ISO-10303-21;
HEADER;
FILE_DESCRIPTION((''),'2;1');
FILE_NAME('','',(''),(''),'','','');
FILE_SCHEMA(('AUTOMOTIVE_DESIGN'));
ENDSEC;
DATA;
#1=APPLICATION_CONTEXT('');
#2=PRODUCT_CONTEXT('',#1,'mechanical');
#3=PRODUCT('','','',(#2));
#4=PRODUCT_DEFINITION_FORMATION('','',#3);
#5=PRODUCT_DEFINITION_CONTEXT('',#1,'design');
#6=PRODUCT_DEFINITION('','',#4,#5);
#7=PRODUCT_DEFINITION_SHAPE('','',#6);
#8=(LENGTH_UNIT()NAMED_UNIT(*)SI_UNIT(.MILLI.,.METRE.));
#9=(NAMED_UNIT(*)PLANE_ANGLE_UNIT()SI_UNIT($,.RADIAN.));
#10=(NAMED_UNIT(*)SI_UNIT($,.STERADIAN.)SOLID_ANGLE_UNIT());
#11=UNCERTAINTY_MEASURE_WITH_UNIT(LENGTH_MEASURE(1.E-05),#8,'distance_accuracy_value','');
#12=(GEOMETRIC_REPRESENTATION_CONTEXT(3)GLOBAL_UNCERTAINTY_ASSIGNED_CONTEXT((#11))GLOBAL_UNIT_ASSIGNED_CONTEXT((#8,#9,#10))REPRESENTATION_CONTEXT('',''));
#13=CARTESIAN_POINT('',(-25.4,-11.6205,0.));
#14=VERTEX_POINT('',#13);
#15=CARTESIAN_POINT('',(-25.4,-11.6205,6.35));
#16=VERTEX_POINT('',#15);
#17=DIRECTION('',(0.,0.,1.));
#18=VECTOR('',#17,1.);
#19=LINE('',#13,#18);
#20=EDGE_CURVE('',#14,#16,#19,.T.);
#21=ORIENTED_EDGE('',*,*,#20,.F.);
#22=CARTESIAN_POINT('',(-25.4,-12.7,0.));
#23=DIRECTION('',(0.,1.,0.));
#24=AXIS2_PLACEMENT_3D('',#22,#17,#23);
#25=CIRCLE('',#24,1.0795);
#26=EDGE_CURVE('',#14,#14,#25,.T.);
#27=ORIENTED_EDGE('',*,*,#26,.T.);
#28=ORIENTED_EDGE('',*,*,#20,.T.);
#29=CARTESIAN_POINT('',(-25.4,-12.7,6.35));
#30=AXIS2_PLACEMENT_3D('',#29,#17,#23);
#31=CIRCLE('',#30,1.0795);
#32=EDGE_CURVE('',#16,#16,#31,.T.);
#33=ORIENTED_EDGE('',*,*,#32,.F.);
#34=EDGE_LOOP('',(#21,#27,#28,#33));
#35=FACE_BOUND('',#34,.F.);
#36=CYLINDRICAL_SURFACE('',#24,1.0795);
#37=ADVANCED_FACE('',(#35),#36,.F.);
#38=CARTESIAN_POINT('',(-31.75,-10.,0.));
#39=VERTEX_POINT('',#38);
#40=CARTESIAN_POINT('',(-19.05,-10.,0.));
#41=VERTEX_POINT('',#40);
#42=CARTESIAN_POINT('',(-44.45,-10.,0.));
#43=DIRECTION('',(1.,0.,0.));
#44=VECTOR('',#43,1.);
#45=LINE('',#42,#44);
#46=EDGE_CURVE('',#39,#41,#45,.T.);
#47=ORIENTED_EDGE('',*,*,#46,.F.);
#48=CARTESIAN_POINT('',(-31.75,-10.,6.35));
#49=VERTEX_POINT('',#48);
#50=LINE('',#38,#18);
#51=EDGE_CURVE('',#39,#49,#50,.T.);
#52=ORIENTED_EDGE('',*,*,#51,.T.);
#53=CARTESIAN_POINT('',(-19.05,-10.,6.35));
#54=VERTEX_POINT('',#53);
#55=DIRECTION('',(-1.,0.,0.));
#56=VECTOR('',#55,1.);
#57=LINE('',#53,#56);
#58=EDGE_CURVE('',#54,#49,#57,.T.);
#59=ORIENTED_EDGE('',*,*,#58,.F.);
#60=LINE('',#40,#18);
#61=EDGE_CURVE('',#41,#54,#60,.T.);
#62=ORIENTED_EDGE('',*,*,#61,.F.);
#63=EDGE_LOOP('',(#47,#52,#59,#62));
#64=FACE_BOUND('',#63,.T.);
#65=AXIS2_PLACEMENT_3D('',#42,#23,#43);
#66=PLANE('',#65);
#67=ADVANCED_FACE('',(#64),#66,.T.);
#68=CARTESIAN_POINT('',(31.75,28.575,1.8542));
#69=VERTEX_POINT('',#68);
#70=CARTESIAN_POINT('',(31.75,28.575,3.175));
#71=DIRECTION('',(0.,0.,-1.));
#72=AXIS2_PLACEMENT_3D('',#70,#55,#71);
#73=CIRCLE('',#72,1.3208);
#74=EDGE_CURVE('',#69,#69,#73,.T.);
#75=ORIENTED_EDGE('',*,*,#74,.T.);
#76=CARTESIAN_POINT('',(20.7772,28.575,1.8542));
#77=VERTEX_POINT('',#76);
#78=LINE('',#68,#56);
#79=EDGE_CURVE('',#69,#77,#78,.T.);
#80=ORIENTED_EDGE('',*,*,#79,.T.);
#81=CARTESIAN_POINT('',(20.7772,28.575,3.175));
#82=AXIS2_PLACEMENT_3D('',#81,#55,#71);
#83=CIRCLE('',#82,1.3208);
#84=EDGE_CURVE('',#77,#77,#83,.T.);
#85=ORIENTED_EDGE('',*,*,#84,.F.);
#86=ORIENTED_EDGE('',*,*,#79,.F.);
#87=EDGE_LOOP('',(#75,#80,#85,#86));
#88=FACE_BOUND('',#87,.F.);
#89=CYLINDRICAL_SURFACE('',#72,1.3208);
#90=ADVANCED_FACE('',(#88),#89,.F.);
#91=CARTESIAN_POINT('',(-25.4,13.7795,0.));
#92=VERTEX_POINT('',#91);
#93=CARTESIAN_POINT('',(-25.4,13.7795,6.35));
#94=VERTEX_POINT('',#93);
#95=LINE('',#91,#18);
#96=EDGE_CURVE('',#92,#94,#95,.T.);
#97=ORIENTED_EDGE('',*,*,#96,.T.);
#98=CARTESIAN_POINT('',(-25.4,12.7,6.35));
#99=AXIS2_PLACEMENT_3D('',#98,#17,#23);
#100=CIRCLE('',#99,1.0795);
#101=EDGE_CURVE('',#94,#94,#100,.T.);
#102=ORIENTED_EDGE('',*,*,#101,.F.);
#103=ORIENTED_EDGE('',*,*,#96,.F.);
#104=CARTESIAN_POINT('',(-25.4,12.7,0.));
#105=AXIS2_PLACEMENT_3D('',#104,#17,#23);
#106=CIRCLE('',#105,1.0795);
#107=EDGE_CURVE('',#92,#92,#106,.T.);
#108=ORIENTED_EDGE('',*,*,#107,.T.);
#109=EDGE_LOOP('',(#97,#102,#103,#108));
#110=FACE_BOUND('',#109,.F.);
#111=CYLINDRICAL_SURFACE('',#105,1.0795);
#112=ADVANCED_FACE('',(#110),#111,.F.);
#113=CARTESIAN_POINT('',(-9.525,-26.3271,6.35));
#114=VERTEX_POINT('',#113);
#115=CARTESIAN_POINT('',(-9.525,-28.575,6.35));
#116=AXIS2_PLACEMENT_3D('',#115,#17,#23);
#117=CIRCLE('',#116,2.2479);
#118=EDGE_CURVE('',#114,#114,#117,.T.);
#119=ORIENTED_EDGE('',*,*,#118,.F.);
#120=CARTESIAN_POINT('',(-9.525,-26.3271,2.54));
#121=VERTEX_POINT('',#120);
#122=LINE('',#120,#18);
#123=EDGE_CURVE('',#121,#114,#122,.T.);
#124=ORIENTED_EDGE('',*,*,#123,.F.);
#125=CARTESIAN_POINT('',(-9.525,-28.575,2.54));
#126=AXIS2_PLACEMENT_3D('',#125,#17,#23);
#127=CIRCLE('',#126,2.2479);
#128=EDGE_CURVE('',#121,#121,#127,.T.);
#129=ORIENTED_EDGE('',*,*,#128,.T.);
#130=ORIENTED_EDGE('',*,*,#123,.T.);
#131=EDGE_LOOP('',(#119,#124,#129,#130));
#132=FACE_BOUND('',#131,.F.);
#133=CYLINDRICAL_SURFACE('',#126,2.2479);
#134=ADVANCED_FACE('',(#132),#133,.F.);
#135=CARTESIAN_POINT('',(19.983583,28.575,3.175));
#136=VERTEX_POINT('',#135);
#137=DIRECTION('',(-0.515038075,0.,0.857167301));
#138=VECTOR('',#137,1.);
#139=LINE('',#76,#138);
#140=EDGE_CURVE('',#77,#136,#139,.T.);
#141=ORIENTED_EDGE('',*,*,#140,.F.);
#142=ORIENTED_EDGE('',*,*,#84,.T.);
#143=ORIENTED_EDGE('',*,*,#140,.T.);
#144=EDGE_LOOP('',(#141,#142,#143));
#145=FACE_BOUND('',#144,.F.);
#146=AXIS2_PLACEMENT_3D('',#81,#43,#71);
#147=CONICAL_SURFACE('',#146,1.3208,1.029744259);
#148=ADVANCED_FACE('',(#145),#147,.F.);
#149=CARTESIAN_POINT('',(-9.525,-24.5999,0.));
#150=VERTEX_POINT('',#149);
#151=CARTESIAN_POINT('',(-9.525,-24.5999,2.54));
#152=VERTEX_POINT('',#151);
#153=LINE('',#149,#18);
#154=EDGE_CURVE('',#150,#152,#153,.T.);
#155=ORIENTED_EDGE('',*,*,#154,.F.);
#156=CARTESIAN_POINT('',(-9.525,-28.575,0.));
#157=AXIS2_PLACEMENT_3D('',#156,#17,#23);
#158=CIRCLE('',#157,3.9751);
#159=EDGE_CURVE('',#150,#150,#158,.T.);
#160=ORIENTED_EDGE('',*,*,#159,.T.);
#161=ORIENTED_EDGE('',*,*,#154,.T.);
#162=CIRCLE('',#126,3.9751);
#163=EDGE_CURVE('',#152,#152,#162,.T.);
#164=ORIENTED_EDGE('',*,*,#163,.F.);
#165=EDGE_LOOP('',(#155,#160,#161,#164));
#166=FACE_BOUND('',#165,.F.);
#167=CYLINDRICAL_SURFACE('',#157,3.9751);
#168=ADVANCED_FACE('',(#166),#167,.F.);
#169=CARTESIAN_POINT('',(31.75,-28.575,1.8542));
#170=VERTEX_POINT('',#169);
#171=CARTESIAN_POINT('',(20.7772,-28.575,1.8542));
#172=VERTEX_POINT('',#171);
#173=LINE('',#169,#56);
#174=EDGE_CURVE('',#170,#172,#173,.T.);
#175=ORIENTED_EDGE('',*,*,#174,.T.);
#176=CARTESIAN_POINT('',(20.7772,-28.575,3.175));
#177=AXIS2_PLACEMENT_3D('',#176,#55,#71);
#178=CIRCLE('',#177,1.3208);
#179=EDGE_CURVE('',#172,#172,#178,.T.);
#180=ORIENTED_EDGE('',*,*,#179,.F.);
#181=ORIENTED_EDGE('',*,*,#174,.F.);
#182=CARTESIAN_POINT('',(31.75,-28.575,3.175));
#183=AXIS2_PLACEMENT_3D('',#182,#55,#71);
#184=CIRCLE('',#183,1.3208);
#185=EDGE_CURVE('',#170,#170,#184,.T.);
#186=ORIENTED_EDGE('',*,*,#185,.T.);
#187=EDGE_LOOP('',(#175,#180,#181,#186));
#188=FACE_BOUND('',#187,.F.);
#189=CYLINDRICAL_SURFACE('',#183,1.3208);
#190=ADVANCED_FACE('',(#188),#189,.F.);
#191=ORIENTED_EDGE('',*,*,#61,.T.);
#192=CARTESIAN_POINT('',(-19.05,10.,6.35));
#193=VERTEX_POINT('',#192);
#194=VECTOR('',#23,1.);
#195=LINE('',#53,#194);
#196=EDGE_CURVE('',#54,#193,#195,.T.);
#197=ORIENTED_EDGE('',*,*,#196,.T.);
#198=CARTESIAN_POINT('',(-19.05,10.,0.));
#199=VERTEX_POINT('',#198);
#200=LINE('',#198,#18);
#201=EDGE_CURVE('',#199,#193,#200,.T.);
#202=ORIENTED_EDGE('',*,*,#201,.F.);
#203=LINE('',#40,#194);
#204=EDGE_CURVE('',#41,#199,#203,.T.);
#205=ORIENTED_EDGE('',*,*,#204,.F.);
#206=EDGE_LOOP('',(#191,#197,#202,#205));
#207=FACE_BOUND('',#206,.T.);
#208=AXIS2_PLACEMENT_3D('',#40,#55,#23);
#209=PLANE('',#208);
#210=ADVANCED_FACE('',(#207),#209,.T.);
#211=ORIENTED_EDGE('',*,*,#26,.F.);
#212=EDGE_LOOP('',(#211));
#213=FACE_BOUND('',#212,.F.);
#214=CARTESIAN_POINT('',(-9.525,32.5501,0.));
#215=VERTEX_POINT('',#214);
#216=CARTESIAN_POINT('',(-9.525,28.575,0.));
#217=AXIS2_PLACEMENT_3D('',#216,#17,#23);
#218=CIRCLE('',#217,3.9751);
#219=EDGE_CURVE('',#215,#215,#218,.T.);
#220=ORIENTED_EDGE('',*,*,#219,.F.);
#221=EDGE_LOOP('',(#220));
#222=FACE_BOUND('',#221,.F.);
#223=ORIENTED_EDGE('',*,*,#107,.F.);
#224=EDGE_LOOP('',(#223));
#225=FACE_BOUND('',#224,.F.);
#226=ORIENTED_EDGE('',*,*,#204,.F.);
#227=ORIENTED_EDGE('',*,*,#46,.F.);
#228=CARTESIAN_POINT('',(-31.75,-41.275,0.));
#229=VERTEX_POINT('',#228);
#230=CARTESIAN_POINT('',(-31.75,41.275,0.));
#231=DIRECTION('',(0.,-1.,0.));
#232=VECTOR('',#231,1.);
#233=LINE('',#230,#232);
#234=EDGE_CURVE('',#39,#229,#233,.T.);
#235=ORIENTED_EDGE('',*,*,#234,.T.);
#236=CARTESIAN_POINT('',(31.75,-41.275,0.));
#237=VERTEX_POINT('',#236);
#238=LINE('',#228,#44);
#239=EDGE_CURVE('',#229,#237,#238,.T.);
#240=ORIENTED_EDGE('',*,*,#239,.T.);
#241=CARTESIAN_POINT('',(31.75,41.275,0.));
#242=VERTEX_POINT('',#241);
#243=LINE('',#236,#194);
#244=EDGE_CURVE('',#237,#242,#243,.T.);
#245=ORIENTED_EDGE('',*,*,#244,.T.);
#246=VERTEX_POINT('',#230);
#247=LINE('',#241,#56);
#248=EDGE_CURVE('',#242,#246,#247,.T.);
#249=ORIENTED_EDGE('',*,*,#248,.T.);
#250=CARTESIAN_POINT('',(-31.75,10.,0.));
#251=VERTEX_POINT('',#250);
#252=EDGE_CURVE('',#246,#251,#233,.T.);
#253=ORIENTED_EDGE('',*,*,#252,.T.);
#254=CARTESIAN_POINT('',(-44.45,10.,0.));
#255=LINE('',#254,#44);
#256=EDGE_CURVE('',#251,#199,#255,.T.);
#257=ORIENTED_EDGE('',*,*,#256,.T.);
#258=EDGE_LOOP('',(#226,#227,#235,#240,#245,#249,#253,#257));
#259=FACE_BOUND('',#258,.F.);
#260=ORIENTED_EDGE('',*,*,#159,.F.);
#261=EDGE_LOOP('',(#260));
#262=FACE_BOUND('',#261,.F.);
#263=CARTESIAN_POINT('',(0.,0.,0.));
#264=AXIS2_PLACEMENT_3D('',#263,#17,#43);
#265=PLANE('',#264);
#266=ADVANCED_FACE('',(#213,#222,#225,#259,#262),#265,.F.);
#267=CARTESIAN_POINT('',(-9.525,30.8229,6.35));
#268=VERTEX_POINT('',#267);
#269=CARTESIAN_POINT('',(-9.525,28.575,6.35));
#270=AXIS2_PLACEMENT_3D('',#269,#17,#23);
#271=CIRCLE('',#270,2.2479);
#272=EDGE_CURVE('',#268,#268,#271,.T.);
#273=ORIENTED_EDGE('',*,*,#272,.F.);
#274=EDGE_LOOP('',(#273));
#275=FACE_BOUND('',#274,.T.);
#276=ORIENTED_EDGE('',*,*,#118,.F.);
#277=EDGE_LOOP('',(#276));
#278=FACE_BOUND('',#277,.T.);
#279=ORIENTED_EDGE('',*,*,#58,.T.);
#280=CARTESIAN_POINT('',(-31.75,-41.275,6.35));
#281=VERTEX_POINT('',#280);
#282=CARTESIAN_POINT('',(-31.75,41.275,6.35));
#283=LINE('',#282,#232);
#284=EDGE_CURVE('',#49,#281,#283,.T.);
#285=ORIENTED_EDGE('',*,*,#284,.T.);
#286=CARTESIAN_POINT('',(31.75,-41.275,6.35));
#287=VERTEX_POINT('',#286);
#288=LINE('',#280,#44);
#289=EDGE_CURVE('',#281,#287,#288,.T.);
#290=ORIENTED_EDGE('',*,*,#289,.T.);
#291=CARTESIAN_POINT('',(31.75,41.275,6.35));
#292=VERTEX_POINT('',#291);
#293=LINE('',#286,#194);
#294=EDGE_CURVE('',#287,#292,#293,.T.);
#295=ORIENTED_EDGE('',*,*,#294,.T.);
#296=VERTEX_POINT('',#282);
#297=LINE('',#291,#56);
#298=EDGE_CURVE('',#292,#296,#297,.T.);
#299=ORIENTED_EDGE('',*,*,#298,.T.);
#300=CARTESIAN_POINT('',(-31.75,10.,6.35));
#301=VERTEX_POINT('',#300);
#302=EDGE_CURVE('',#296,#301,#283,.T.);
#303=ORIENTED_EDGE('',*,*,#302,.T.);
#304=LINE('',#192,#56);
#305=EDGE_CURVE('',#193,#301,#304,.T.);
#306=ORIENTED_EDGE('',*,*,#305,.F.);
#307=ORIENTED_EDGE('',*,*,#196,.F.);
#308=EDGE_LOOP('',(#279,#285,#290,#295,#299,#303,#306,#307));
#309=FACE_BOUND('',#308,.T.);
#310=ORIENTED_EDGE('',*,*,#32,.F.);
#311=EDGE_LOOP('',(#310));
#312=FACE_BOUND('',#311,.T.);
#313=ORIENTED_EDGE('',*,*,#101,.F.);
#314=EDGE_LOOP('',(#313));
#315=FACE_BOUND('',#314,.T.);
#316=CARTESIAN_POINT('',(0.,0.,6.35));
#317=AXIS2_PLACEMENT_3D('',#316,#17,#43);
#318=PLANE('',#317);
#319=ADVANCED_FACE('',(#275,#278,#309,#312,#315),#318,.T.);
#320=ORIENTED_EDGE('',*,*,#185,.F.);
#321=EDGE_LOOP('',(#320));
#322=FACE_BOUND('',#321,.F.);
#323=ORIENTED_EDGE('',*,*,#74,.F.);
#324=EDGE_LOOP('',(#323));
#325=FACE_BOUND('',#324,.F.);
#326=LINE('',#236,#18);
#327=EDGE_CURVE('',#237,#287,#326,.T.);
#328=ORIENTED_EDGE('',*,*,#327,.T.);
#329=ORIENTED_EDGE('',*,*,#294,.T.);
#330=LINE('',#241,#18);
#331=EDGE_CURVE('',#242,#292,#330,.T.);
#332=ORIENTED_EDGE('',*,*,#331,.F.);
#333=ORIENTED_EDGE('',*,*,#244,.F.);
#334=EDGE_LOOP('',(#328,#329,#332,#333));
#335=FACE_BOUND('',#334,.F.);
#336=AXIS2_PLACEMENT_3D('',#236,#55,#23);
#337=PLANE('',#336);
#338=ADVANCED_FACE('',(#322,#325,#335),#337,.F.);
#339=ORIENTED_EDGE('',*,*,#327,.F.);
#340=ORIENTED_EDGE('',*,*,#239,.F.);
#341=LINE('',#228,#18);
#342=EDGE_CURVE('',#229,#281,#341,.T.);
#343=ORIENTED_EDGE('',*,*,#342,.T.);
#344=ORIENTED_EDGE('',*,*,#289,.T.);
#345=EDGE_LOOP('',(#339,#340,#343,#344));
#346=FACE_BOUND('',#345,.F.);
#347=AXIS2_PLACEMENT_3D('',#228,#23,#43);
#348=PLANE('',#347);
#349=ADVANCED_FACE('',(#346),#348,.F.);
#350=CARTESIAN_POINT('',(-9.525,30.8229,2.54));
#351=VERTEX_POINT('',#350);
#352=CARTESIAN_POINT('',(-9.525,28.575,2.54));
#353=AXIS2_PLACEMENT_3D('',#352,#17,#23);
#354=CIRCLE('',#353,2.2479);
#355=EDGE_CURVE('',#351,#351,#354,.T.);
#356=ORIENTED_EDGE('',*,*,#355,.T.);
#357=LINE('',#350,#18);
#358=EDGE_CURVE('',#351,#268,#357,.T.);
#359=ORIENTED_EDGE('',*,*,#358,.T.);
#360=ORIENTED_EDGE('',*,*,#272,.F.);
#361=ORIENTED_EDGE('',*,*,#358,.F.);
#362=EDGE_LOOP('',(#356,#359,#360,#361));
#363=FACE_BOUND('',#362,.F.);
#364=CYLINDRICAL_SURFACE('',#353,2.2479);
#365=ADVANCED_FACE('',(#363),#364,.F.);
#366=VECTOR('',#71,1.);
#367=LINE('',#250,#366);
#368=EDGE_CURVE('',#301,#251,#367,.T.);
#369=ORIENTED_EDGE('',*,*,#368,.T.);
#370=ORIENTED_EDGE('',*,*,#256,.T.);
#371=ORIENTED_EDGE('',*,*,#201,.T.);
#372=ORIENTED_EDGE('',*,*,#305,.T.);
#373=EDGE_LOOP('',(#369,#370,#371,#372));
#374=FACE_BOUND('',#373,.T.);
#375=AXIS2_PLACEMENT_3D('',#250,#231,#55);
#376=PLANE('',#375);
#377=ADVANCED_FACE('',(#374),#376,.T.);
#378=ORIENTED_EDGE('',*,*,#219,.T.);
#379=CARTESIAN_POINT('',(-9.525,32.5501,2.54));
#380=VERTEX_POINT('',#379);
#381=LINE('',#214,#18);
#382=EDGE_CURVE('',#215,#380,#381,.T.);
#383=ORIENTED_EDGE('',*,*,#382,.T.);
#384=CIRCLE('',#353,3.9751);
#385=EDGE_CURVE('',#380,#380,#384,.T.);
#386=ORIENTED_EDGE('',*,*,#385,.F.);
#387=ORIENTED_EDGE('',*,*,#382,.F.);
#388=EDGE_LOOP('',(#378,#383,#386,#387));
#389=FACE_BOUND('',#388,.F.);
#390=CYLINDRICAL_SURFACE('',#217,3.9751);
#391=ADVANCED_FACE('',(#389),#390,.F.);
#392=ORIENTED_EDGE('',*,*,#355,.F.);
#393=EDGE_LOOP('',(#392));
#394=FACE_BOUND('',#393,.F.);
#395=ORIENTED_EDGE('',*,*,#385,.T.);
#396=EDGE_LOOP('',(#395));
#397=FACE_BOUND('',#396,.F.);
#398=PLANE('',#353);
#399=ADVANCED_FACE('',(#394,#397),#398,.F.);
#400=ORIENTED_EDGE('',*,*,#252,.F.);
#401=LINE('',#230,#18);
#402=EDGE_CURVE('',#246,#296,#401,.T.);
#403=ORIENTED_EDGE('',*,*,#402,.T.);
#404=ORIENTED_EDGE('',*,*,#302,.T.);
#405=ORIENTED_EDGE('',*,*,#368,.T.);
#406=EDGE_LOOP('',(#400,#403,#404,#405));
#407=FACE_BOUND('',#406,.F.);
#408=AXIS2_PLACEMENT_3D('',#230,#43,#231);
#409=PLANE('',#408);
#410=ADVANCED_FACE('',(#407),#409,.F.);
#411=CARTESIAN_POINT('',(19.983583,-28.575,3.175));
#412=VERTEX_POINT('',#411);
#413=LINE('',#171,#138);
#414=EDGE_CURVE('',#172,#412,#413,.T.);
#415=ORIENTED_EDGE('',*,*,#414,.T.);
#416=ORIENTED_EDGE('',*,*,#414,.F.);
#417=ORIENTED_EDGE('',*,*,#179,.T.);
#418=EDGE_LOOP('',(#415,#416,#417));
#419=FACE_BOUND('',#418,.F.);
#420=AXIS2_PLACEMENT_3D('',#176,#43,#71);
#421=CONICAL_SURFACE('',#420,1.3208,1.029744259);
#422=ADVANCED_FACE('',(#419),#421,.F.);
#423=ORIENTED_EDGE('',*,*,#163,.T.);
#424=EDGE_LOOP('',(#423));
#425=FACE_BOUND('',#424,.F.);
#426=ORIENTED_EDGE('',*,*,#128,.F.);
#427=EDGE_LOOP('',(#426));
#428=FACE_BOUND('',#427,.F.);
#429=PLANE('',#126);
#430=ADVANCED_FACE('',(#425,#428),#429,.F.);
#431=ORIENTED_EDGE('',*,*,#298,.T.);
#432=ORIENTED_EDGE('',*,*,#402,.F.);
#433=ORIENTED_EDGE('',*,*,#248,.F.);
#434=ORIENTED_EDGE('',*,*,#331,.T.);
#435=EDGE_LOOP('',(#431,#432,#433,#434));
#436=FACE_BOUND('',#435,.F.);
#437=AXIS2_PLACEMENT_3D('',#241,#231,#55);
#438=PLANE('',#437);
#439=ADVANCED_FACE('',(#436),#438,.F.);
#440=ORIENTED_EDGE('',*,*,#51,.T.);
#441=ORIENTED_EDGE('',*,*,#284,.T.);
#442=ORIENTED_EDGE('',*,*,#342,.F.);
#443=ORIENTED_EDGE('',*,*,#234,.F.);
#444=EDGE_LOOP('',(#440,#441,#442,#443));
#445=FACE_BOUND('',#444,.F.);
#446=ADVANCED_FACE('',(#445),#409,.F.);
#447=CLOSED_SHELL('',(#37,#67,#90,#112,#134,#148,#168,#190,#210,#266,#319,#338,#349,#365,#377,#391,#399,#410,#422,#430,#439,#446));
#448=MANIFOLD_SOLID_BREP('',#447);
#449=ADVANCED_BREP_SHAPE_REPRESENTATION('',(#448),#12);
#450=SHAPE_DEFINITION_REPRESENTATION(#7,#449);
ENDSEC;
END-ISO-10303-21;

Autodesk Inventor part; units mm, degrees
ref_plane "YZ Plane" through (0, 0, 0) normal (1, 0, 0) x (0, 1, 0)
ref_plane "XZ Plane" through (0, 0, 0) normal (0, 1, 0) x (-1, 0, 0)
ref_plane "XY Plane" through (0, 0, 0) normal (0, 0, 1) x (1, 0, 0)
sketch "Sketch1" plane through (0, 0, 0) normal (0, 0, 1) x (1, 0, 0)
  line L0 (-31.75, -41.275) -> (31.75, -41.275)
  line L1 (31.75, -41.275) -> (31.75, 41.275)
  line L2 (31.75, 41.275) -> (-31.75, 41.275)
  line L3 (-31.75, 41.275) -> (-31.75, -41.275)
  line L4 (-31.75, -41.275) -> (31.75, 41.275) construction
  line L5 (31.75, -41.275) -> (-31.75, 41.275) construction
  point P0 (0, 0)
  dimension "d0" = 63.5
  dimension "d1" = 82.55
extrude "Extrusion1" add sketch "Sketch1" along normal blind 6.35
sketch "Sketch2" plane through (0, 0, 0) normal (0, 0, -1) x (-1, 0, 0)
  line L0 (44.45, -10) -> (19.05, -10)
  line L1 (19.05, -10) -> (19.05, 10)
  line L2 (19.05, 10) -> (44.45, 10)
  line L3 (44.45, 10) -> (44.45, -10)
  line L4 (31.75, 41.275) -> (31.75, -41.275) projected
  line L5 (44.45, -10) -> (19.05, 10) construction
  line L6 (19.05, -10) -> (44.45, 10) construction
  point P0 (0, 0)
  point P1 (31.75, 0)
  dimension "d4" = 25.4
  dimension "d5" = 20
extrude "Extrusion2" cut sketch "Sketch2" against normal blind 6.35
sketch "Sketch3" plane through (0, 0, 0) normal (0, 0, -1) x (-1, 0, 0)
  line L0 (25.4, 12.7) -> (25.4, -12.7)
  line L1 (31.75, 41.275) -> (31.75, 10) projected
  point P0 (0, 0)
  dimension "d8" = 12.7
  dimension "d9" = 25.4
  dimension "d10" = 6.35
hole "Hole1" at (-25.4, 12.7, 0) at (-25.4, -12.7, 0) direction (0, 0, 1) diameter 2.159 end through all
sketch "Sketch4" plane through (0, 0, 0) normal (0, 0, -1) x (-1, 0, 0)
  line L0 (9.525, 28.575) -> (9.525, -28.575)
  line L1 (-31.75, 41.275) -> (31.75, 41.275) projected
  line L2 (19.05, -10) -> (19.05, 10) projected
  point P0 (0, 0)
  dimension "d18" = 57.15
  dimension "d19" = 12.7
  dimension "d20" = 9.525
hole "Hole2" at (-9.525, 28.575, 0) at (-9.525, -28.575, 0) direction (0, 0, 1) diameter 4.4958 depth 12.2936 tip angle 118 counterbore diameter 7.9502 counterbore depth 2.54 clearance for "Socket Head Cap Screw" size "#8" standard "Ansi Unified Screw Threads"
sketch "Sketch5" plane through (31.75, -41.275, 0) normal (1, 0, 0) x (0, 0, -1)
  line L0 (-3.175, 69.85) -> (-3.175, 12.7)
  line L1 (-6.35, 0) -> (-6.35, 82.55) projected
  line L2 (0, 82.55) -> (-6.35, 82.55) projected
  point P0 (0, 41.275)
  dimension "d28" = 57.15
  dimension "d29" = 12.7
  dimension "d30" = 3.175
hole "Hole3" at (31.75, 28.575, 3.175) at (31.75, -28.575, 3.175) direction (-1, 0, 0) diameter 2.6416 depth 10.9728 tip angle 118 thread size "6-32 UNC" class "2B" standard "ANSI Unified Screw Threads"
properties part number "left side"
